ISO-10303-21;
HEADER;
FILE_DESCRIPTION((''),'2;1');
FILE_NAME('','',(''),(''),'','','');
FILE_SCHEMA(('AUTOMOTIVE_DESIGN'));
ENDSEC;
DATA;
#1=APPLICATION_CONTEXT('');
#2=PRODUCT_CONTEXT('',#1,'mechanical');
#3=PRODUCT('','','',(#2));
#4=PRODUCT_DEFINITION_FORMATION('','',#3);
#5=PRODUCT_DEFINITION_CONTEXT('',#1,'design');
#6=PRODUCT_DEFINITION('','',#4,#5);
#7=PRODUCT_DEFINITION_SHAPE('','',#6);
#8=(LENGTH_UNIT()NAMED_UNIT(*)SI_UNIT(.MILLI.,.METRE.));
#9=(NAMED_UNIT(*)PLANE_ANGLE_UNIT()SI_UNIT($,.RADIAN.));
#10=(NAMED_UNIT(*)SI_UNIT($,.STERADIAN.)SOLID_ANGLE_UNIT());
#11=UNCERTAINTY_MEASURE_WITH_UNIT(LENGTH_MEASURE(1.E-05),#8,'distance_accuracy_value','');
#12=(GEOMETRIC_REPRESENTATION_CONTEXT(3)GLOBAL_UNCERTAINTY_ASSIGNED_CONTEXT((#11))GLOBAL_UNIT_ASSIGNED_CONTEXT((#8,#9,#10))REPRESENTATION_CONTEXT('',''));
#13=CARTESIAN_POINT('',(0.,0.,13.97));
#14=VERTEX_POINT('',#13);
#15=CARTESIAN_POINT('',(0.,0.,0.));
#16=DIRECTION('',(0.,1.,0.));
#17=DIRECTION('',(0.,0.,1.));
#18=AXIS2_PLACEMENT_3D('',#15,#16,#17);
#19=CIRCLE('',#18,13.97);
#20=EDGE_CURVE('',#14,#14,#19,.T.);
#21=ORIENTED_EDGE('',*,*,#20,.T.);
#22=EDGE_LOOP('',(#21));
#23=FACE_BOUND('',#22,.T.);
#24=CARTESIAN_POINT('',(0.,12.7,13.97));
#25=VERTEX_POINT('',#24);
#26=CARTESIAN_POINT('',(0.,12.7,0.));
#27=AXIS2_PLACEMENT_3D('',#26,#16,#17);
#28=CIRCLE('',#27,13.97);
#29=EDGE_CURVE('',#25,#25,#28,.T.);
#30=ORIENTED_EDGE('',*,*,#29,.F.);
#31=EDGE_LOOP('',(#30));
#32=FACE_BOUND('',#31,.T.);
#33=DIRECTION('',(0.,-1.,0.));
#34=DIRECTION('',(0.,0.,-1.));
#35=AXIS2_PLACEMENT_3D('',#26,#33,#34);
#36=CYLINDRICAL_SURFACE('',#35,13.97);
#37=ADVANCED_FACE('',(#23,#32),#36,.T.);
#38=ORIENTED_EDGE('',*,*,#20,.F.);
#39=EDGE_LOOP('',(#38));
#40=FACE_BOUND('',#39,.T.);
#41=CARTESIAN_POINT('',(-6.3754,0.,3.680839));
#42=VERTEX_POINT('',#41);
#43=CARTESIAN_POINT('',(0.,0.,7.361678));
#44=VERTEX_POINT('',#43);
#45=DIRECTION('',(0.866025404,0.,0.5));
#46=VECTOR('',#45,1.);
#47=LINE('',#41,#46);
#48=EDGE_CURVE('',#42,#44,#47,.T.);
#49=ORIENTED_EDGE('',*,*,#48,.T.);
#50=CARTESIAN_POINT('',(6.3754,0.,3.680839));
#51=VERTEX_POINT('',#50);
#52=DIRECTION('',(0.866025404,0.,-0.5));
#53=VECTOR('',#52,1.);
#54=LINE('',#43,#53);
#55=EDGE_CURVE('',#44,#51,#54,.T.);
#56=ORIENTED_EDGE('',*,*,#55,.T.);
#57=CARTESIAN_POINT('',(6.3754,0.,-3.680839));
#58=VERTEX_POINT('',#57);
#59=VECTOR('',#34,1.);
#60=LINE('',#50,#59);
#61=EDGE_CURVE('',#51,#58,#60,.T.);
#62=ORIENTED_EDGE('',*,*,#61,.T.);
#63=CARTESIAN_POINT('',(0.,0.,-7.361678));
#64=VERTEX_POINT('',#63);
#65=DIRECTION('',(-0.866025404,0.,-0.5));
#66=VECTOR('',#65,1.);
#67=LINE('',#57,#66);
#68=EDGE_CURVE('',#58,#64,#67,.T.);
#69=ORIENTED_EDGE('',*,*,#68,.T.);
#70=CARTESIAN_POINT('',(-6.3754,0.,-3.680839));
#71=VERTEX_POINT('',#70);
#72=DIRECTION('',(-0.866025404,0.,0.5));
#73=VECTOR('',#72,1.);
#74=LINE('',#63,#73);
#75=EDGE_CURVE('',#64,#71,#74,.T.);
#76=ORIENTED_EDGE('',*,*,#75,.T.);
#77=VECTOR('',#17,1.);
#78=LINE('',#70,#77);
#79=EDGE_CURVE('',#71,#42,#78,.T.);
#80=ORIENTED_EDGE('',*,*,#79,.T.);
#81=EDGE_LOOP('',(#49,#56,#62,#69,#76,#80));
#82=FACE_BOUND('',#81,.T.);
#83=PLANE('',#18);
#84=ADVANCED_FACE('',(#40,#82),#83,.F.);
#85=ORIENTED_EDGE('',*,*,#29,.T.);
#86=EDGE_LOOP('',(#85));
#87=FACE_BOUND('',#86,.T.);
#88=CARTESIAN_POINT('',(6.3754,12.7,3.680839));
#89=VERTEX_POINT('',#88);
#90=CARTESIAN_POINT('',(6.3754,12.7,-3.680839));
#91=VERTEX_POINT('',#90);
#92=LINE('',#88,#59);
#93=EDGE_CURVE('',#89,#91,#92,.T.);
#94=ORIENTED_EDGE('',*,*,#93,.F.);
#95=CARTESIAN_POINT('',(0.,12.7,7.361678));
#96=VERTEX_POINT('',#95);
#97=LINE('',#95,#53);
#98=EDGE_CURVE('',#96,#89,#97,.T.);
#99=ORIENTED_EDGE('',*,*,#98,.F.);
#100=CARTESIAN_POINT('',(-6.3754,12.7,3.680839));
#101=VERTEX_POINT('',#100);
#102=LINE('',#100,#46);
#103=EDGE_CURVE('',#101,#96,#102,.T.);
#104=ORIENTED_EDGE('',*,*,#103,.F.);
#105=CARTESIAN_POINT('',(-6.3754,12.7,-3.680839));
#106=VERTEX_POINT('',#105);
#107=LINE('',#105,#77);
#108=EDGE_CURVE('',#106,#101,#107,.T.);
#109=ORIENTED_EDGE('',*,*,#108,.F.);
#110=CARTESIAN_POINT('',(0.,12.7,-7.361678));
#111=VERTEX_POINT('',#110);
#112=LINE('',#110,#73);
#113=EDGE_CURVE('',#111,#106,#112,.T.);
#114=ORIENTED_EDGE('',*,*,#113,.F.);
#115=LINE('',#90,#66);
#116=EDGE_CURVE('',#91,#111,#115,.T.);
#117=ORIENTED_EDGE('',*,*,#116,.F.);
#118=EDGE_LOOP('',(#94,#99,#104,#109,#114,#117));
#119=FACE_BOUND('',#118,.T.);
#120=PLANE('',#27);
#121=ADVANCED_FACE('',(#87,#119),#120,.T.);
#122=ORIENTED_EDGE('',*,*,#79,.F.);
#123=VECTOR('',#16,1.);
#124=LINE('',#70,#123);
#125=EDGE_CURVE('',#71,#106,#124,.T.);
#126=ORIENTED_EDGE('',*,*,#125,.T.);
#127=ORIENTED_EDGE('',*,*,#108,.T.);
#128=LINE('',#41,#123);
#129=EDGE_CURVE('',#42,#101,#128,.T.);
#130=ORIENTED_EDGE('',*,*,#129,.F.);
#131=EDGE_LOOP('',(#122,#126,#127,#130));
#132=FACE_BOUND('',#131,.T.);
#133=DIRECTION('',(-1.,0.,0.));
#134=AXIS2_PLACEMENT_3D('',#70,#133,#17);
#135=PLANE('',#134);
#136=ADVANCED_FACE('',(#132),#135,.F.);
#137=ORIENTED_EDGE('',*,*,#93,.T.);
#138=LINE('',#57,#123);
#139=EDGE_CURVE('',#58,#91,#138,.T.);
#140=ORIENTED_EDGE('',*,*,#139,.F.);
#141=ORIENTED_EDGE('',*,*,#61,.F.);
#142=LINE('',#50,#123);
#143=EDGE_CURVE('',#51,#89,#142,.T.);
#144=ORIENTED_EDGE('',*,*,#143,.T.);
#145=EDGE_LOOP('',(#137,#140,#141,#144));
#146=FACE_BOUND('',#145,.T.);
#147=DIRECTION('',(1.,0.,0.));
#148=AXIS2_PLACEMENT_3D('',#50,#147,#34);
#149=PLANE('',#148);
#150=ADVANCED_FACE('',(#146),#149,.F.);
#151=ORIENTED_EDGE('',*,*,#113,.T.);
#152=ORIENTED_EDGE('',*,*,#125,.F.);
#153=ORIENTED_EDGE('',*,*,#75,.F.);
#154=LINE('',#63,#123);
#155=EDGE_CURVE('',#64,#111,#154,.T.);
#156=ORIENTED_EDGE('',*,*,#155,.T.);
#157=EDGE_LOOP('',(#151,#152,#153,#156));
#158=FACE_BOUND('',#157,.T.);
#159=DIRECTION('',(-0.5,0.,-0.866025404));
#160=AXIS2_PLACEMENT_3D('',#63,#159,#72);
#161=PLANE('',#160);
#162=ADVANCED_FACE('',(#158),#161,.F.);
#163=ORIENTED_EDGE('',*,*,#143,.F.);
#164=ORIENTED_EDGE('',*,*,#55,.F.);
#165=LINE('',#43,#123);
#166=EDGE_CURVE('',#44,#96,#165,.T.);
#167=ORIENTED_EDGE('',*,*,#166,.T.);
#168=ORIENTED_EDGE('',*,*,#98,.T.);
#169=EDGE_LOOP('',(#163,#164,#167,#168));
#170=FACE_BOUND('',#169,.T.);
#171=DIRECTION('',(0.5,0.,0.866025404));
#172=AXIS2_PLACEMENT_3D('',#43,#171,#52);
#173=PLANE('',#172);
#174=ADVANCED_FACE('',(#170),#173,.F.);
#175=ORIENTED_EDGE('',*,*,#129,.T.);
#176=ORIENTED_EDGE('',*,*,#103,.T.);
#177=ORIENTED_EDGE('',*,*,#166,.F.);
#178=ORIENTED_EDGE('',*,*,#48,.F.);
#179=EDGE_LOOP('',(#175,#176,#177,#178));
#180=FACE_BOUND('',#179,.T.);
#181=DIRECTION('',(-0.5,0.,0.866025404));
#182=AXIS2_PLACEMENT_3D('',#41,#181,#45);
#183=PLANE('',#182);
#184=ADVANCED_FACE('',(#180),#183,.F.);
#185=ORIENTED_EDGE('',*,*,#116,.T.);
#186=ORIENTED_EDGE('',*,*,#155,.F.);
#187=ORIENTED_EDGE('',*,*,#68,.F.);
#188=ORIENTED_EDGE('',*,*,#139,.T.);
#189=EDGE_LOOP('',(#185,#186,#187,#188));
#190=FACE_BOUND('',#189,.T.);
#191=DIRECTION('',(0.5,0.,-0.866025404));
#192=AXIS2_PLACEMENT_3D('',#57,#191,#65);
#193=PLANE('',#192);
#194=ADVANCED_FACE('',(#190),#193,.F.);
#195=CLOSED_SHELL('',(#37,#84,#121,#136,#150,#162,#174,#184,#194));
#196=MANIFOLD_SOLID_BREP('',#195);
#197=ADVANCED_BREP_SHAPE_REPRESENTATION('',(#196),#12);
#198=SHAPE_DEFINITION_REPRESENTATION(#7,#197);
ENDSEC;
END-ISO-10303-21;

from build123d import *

# Parameters (mm, degrees)
SKETCH1_R           = 13.97
BOSS_EXTRUDE1_DEPTH = 12.7
CUT_EXTRUDE1_DEPTH  = 12.7


with BuildPart() as part:
    # Sketch1 → Boss-Extrude1 (new body)
    with BuildSketch(Plane(origin=(0, 0, 0), x_dir=(1, 0, 0), z_dir=(0, 1, 0))):
        Circle(SKETCH1_R)
    extrude(amount=BOSS_EXTRUDE1_DEPTH)

    # Sketch2 → Cut-Extrude1 (cut)
    with BuildSketch(Plane(origin=(0, 12.7, 0), x_dir=(1, 0, 0), z_dir=(0, 1, 0))):
        Polygon((0, 7.361677812), (-6.3754, 3.680838906), (-6.3754, -3.680838906), (0, -7.361677812), (6.3754, -3.680838906), (6.3754, 3.680838906), align=None)
    extrude(amount=-CUT_EXTRUDE1_DEPTH, mode=Mode.SUBTRACT)


solid = part.part
